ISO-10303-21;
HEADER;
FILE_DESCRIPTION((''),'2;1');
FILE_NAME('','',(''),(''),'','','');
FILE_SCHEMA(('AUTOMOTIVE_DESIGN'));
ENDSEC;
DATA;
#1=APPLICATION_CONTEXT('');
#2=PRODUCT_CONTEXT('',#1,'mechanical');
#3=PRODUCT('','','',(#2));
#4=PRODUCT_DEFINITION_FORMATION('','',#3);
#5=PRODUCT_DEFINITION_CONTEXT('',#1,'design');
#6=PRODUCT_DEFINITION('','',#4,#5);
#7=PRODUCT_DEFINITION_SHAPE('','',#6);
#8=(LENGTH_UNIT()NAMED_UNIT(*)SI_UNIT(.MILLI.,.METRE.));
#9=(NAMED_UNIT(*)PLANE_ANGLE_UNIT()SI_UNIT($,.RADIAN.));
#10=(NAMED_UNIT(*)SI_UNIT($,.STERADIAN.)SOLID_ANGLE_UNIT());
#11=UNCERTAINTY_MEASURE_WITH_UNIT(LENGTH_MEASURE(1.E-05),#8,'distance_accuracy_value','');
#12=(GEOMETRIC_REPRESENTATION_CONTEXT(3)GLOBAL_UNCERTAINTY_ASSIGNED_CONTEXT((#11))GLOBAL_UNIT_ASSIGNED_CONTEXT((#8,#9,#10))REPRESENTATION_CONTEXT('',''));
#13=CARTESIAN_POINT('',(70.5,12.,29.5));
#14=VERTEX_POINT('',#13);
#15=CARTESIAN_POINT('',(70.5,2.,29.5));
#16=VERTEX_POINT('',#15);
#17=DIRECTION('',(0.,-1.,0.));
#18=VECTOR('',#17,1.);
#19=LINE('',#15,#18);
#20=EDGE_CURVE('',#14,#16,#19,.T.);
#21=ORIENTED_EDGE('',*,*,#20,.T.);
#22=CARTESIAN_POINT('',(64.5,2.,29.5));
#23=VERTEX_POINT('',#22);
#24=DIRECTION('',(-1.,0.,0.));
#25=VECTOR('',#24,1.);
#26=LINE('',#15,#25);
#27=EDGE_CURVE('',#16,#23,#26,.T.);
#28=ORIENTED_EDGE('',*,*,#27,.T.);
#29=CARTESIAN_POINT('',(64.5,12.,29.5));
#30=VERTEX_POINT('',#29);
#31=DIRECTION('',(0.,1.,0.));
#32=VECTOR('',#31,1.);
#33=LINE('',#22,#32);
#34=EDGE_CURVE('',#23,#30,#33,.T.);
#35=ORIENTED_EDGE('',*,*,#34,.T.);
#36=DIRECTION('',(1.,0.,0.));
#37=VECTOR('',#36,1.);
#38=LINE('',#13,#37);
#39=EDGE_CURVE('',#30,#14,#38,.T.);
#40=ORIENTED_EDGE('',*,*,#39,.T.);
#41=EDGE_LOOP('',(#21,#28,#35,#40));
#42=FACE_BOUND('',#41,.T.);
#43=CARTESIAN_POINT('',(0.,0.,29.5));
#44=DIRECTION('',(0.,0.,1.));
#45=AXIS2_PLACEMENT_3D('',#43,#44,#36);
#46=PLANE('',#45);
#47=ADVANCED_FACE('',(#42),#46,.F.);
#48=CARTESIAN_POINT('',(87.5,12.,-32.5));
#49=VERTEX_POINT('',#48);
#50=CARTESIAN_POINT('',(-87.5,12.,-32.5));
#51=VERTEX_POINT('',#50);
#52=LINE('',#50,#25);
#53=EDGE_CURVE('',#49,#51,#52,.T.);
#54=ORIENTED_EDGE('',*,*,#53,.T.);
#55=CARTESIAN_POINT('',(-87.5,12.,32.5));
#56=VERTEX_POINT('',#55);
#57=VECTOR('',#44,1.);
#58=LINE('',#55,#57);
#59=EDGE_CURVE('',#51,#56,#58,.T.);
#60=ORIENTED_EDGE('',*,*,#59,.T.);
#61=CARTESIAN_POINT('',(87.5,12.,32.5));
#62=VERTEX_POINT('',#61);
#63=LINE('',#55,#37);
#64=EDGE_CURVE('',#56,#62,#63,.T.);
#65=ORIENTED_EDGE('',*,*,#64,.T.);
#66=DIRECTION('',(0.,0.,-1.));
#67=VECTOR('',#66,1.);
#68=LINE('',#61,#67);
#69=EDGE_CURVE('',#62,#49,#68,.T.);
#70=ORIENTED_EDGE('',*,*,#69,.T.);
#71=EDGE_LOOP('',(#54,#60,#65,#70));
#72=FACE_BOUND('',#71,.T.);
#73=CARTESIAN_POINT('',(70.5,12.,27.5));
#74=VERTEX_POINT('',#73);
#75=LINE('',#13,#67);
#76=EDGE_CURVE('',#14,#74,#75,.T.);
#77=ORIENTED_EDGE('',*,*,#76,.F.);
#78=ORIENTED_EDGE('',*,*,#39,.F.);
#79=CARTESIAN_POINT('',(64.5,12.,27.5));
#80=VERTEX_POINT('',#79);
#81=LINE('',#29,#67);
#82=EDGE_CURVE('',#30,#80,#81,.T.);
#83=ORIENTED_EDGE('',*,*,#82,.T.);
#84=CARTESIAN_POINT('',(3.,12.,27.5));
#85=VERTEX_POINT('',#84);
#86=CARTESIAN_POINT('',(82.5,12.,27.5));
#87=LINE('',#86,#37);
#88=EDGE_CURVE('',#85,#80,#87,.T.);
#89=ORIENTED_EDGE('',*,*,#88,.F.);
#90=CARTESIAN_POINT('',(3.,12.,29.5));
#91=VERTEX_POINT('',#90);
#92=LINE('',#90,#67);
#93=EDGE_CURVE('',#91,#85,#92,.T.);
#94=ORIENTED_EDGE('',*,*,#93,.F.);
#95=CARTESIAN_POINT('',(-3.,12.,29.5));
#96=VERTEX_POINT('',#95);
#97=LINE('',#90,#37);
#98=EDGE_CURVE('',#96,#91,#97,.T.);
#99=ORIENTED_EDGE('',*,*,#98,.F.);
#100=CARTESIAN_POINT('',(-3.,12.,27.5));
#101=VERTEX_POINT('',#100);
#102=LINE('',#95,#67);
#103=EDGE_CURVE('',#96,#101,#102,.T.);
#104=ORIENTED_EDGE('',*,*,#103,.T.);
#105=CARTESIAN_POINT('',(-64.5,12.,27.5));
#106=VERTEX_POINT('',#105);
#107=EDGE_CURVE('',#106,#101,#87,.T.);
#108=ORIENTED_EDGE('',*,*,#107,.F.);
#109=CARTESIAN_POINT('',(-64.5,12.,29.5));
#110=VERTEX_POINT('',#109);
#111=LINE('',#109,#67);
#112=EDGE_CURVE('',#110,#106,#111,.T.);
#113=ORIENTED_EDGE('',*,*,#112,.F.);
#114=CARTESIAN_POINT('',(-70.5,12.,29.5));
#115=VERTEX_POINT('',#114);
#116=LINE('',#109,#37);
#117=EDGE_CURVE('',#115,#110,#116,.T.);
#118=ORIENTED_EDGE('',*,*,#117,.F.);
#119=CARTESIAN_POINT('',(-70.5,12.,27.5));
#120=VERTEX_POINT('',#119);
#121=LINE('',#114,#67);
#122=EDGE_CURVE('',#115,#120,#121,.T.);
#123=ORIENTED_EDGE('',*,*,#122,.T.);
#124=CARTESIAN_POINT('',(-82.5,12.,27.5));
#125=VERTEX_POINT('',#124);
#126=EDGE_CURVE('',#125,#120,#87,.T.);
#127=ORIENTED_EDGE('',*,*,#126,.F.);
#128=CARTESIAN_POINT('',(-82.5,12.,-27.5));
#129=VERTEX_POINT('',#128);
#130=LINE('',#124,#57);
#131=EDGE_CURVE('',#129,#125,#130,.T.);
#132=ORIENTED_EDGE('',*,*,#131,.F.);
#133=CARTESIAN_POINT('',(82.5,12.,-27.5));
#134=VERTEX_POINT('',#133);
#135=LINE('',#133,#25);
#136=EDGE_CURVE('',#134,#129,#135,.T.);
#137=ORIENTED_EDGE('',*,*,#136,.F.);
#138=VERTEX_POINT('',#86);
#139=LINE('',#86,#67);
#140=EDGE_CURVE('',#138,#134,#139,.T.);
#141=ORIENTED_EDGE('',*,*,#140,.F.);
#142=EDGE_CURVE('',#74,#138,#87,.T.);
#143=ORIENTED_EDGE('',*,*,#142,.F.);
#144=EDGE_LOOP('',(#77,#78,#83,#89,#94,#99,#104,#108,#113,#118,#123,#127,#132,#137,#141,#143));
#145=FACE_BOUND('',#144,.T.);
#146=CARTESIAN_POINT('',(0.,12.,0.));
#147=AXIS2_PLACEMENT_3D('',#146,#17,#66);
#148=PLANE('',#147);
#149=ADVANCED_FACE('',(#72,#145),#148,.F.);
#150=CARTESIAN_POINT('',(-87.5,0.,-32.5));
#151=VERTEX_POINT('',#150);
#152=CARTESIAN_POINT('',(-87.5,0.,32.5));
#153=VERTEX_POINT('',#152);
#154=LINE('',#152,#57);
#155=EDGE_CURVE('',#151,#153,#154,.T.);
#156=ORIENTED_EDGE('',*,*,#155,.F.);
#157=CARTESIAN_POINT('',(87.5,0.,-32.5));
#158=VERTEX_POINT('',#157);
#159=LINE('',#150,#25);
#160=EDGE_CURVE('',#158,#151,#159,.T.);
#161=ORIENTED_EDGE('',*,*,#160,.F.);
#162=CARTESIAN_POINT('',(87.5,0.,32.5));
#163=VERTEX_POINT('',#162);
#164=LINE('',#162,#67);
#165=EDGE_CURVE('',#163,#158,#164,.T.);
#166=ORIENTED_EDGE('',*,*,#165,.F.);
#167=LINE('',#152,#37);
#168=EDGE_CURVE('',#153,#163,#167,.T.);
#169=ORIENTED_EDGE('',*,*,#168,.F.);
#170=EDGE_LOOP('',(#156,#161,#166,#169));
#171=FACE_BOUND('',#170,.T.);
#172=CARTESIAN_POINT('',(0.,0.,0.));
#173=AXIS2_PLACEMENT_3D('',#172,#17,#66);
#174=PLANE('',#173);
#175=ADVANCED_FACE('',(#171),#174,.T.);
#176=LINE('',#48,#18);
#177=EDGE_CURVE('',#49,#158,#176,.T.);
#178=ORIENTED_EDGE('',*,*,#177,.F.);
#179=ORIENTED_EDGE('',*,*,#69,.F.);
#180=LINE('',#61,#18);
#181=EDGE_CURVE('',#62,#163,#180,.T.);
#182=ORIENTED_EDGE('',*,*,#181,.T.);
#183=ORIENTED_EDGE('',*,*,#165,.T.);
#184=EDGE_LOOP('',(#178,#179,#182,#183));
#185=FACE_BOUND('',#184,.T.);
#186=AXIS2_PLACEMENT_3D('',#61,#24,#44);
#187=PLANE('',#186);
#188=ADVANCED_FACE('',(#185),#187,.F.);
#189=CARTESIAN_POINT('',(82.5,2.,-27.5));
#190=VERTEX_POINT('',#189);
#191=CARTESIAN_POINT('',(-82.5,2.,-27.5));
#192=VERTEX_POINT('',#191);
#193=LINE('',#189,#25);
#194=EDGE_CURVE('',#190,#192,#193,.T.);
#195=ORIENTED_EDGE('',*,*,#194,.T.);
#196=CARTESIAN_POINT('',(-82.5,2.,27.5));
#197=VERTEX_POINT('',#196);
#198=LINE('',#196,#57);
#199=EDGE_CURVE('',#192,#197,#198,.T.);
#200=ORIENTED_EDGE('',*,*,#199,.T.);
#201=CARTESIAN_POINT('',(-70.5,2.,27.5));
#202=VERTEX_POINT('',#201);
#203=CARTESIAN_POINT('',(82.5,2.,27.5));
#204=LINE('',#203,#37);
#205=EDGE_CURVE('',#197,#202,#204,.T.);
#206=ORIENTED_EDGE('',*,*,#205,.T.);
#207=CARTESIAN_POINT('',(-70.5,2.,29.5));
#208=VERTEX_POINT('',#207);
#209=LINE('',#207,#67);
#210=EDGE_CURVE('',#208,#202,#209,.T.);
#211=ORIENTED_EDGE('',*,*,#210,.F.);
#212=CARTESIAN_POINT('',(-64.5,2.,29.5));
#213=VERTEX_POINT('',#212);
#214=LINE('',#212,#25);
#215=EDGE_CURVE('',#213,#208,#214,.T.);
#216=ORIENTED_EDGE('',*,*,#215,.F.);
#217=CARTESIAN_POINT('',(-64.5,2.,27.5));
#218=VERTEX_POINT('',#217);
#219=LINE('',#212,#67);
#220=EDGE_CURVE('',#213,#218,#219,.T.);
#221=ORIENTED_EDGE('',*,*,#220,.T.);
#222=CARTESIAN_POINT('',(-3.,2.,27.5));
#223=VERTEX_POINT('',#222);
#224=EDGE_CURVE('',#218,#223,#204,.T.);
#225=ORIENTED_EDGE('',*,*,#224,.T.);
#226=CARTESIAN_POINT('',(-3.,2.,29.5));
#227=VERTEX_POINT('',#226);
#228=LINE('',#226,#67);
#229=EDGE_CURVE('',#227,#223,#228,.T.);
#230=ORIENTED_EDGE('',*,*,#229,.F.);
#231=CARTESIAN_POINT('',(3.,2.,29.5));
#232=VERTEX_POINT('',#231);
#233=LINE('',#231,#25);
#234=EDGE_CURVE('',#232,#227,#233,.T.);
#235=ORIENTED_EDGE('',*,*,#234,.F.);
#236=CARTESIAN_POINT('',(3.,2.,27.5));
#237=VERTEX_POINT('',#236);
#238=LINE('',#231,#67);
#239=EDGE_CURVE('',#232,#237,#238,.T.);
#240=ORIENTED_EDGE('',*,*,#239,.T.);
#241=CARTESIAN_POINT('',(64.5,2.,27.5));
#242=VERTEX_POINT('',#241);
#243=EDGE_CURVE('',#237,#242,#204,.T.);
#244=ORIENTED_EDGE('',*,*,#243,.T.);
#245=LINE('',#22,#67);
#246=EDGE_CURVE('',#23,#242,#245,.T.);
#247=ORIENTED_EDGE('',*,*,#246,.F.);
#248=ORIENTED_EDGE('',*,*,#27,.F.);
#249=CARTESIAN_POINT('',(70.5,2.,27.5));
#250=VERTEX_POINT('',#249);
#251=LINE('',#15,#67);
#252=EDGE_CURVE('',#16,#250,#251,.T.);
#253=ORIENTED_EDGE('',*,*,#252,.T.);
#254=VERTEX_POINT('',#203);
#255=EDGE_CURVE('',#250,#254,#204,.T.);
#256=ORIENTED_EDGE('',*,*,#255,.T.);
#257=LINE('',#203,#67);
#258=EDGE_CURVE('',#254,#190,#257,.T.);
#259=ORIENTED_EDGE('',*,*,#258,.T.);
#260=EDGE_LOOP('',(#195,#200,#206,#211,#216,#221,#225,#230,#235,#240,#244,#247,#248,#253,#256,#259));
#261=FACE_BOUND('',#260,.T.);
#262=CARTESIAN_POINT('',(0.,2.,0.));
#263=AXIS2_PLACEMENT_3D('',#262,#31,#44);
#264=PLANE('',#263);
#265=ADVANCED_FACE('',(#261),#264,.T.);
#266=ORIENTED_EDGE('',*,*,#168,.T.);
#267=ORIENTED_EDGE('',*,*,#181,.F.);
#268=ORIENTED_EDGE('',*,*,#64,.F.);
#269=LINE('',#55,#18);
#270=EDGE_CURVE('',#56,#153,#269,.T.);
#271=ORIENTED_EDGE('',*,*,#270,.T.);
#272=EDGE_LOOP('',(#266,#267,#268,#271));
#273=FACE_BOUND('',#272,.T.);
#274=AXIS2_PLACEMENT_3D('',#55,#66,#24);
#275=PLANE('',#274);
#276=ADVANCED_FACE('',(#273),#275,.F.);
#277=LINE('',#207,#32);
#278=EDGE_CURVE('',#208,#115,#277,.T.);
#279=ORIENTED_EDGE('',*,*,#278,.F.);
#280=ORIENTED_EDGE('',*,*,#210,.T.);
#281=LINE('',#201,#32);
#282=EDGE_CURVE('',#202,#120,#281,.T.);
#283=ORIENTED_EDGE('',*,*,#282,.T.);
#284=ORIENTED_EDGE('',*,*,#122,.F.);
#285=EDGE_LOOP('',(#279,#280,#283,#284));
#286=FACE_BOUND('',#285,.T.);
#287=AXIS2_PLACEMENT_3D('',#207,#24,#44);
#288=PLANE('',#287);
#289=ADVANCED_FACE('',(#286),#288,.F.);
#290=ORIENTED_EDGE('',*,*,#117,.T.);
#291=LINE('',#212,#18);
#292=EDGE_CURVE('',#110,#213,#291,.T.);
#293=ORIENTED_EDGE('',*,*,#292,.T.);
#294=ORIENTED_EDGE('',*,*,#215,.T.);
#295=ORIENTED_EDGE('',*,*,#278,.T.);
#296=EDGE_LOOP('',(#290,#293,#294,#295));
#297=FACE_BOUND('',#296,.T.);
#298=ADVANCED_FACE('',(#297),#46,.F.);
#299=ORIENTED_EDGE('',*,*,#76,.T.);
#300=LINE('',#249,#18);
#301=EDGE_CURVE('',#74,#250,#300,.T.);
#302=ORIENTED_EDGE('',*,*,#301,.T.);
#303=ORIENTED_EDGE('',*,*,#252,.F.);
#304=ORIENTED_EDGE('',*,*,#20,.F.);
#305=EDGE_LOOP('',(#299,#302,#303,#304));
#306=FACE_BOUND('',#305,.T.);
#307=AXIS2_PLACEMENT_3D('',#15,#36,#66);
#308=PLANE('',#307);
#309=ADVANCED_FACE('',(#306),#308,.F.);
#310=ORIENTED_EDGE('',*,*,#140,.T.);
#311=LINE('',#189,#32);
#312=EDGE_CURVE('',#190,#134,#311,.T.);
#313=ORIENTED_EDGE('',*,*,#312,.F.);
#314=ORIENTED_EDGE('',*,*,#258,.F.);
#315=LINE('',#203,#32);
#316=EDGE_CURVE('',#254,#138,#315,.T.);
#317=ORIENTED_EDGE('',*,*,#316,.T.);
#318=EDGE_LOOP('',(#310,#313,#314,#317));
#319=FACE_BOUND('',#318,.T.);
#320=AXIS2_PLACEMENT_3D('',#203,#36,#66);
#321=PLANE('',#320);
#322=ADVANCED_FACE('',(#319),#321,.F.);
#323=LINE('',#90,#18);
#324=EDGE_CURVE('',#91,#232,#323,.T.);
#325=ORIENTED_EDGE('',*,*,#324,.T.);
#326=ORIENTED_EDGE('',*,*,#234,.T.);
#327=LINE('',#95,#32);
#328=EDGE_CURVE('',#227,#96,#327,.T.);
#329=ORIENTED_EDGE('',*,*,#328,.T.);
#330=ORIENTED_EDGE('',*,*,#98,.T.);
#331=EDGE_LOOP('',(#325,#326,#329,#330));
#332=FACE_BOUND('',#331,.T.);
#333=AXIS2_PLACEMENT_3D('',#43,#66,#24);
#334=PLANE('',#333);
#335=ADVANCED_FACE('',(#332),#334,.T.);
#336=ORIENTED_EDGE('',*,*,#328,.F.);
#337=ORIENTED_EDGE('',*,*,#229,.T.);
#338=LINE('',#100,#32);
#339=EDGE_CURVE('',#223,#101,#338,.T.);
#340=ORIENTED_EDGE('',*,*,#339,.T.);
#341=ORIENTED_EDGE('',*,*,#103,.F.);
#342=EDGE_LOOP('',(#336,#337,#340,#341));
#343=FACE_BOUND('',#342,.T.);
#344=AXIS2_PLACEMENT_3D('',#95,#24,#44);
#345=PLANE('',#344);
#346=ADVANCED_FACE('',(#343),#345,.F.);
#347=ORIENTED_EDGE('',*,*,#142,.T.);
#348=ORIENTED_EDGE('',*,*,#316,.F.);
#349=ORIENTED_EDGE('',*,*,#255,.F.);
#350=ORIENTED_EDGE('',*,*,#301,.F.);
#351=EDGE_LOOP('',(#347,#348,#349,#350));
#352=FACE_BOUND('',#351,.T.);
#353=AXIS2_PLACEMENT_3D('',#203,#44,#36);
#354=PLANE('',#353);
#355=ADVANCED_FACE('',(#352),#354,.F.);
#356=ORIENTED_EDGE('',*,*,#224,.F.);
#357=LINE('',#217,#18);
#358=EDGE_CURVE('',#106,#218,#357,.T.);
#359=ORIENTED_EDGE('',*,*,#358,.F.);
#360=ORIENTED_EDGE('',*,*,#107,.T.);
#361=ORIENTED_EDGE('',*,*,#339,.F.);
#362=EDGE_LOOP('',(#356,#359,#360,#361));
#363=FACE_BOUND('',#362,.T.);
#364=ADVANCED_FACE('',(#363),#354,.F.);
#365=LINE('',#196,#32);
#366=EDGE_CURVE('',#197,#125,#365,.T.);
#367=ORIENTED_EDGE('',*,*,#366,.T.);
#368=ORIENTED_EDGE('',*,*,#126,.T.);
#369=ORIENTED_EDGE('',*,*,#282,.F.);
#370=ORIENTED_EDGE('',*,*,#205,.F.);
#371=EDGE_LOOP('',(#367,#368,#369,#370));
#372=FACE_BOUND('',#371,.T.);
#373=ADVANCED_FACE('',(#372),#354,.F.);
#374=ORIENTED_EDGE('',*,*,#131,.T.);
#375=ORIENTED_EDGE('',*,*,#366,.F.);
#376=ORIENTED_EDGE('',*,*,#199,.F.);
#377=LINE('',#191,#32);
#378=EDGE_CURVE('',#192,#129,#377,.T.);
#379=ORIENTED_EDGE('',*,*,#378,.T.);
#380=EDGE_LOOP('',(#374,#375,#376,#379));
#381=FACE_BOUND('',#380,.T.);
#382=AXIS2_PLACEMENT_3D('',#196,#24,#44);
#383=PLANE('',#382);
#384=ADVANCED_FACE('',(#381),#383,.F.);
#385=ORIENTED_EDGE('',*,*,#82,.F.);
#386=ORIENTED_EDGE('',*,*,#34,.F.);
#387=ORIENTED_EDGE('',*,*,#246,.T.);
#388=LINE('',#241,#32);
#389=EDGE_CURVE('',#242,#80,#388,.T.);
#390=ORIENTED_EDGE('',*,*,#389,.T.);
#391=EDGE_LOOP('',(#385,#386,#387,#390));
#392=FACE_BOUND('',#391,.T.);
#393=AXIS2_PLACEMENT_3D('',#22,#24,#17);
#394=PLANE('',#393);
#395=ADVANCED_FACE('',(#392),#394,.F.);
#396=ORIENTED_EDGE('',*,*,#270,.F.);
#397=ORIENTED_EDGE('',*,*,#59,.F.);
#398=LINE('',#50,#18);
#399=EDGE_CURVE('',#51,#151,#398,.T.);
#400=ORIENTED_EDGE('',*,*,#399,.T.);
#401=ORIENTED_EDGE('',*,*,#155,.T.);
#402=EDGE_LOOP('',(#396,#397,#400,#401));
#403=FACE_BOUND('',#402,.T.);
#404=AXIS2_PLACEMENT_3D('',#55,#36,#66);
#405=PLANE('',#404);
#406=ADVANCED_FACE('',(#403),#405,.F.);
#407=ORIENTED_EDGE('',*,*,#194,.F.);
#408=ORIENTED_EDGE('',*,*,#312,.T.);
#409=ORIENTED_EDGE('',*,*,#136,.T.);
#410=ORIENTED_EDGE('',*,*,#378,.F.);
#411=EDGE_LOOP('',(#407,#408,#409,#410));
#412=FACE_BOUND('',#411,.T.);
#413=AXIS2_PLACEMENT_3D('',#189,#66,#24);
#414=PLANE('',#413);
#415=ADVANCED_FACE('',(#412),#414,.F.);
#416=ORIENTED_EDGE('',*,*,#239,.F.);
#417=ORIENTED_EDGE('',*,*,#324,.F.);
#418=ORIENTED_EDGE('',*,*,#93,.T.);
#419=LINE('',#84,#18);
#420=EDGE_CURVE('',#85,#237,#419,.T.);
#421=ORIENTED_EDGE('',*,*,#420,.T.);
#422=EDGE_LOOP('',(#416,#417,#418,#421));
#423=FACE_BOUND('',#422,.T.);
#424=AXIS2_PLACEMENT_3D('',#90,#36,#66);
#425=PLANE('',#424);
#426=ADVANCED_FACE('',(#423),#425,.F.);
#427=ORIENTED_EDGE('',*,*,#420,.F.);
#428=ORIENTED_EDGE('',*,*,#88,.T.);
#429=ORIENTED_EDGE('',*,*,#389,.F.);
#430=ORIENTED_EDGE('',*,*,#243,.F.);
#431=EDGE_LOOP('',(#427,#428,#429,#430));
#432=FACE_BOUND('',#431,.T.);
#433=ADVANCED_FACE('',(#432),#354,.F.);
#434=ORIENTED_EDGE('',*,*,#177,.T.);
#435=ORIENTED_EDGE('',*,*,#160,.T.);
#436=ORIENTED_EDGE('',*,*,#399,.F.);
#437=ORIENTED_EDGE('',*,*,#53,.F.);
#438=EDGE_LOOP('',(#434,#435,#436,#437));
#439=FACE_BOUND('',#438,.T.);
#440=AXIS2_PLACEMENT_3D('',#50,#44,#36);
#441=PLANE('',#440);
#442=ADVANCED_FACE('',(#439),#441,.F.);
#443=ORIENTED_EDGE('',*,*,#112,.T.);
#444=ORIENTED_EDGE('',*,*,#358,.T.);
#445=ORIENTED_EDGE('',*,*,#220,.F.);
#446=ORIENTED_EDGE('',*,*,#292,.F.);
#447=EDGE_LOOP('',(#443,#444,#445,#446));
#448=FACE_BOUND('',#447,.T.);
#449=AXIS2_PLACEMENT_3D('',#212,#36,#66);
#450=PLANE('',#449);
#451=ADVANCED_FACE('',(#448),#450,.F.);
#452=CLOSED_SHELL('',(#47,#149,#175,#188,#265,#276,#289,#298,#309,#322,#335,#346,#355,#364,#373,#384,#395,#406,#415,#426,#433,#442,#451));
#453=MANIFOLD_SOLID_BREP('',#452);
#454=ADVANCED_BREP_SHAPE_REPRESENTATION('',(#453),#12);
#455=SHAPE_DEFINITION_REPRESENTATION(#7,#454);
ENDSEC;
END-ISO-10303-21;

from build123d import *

# Parameters (mm, degrees)
SKETCH1_W           = 175
SKETCH1_H           = 65
BOSS_EXTRUDE1_DEPTH = 12
SKETCH2_W           = 165
SKETCH2_H           = 55
CUT_EXTRUDE1_DEPTH  = 10
SKETCH5_W           = 6
SKETCH5_H           = 10
CUT_EXTRUDE2_DEPTH  = 2
SKETCH6_W           = 6
SKETCH6_H           = 10
CUT_EXTRUDE3_DEPTH  = 2
SKETCH7_W           = 6
SKETCH7_H           = 10
CUT_EXTRUDE4_DEPTH  = 2


with BuildPart() as part:
    # Sketch1 → Boss-Extrude1 (new body)
    with BuildSketch(Plane(origin=(0, 0, 0), x_dir=(1, 0, 0), z_dir=(0, 1, 0))):
        Rectangle(SKETCH1_W, SKETCH1_H)
    extrude(amount=BOSS_EXTRUDE1_DEPTH)

    # Sketch2 → Cut-Extrude1 (cut)
    with BuildSketch(Plane(origin=(0, 12, 0), x_dir=(1, 0, 0), z_dir=(0, 1, 0))):
        Rectangle(SKETCH2_W, SKETCH2_H)
    extrude(amount=-CUT_EXTRUDE1_DEPTH, mode=Mode.SUBTRACT)

    # Sketch5 → Cut-Extrude2 (cut)
    with BuildSketch(Plane(origin=(0, 0, 27.5), x_dir=(-1, 0, 0), z_dir=(0, 0, -1))):
        with Locations((0, 7)):
            Rectangle(SKETCH5_W, SKETCH5_H)
    extrude(amount=-CUT_EXTRUDE2_DEPTH, mode=Mode.SUBTRACT)

    # Sketch6 → Cut-Extrude3 (cut)
    with BuildSketch(Plane(origin=(0, 0, 27.5), x_dir=(-1, 0, 0), z_dir=(0, 0, -1))):
        with Locations((-67.5, 7)):
            Rectangle(SKETCH6_W, SKETCH6_H)
    extrude(amount=-CUT_EXTRUDE3_DEPTH, mode=Mode.SUBTRACT)

    # Sketch7 → Cut-Extrude4 (cut)
    with BuildSketch(Plane(origin=(0, 0, 27.5), x_dir=(-1, 0, 0), z_dir=(0, 0, -1))):
        with Locations((67.5, 7)):
            Rectangle(SKETCH7_W, SKETCH7_H)
    extrude(amount=-CUT_EXTRUDE4_DEPTH, mode=Mode.SUBTRACT)


solid = part.part
